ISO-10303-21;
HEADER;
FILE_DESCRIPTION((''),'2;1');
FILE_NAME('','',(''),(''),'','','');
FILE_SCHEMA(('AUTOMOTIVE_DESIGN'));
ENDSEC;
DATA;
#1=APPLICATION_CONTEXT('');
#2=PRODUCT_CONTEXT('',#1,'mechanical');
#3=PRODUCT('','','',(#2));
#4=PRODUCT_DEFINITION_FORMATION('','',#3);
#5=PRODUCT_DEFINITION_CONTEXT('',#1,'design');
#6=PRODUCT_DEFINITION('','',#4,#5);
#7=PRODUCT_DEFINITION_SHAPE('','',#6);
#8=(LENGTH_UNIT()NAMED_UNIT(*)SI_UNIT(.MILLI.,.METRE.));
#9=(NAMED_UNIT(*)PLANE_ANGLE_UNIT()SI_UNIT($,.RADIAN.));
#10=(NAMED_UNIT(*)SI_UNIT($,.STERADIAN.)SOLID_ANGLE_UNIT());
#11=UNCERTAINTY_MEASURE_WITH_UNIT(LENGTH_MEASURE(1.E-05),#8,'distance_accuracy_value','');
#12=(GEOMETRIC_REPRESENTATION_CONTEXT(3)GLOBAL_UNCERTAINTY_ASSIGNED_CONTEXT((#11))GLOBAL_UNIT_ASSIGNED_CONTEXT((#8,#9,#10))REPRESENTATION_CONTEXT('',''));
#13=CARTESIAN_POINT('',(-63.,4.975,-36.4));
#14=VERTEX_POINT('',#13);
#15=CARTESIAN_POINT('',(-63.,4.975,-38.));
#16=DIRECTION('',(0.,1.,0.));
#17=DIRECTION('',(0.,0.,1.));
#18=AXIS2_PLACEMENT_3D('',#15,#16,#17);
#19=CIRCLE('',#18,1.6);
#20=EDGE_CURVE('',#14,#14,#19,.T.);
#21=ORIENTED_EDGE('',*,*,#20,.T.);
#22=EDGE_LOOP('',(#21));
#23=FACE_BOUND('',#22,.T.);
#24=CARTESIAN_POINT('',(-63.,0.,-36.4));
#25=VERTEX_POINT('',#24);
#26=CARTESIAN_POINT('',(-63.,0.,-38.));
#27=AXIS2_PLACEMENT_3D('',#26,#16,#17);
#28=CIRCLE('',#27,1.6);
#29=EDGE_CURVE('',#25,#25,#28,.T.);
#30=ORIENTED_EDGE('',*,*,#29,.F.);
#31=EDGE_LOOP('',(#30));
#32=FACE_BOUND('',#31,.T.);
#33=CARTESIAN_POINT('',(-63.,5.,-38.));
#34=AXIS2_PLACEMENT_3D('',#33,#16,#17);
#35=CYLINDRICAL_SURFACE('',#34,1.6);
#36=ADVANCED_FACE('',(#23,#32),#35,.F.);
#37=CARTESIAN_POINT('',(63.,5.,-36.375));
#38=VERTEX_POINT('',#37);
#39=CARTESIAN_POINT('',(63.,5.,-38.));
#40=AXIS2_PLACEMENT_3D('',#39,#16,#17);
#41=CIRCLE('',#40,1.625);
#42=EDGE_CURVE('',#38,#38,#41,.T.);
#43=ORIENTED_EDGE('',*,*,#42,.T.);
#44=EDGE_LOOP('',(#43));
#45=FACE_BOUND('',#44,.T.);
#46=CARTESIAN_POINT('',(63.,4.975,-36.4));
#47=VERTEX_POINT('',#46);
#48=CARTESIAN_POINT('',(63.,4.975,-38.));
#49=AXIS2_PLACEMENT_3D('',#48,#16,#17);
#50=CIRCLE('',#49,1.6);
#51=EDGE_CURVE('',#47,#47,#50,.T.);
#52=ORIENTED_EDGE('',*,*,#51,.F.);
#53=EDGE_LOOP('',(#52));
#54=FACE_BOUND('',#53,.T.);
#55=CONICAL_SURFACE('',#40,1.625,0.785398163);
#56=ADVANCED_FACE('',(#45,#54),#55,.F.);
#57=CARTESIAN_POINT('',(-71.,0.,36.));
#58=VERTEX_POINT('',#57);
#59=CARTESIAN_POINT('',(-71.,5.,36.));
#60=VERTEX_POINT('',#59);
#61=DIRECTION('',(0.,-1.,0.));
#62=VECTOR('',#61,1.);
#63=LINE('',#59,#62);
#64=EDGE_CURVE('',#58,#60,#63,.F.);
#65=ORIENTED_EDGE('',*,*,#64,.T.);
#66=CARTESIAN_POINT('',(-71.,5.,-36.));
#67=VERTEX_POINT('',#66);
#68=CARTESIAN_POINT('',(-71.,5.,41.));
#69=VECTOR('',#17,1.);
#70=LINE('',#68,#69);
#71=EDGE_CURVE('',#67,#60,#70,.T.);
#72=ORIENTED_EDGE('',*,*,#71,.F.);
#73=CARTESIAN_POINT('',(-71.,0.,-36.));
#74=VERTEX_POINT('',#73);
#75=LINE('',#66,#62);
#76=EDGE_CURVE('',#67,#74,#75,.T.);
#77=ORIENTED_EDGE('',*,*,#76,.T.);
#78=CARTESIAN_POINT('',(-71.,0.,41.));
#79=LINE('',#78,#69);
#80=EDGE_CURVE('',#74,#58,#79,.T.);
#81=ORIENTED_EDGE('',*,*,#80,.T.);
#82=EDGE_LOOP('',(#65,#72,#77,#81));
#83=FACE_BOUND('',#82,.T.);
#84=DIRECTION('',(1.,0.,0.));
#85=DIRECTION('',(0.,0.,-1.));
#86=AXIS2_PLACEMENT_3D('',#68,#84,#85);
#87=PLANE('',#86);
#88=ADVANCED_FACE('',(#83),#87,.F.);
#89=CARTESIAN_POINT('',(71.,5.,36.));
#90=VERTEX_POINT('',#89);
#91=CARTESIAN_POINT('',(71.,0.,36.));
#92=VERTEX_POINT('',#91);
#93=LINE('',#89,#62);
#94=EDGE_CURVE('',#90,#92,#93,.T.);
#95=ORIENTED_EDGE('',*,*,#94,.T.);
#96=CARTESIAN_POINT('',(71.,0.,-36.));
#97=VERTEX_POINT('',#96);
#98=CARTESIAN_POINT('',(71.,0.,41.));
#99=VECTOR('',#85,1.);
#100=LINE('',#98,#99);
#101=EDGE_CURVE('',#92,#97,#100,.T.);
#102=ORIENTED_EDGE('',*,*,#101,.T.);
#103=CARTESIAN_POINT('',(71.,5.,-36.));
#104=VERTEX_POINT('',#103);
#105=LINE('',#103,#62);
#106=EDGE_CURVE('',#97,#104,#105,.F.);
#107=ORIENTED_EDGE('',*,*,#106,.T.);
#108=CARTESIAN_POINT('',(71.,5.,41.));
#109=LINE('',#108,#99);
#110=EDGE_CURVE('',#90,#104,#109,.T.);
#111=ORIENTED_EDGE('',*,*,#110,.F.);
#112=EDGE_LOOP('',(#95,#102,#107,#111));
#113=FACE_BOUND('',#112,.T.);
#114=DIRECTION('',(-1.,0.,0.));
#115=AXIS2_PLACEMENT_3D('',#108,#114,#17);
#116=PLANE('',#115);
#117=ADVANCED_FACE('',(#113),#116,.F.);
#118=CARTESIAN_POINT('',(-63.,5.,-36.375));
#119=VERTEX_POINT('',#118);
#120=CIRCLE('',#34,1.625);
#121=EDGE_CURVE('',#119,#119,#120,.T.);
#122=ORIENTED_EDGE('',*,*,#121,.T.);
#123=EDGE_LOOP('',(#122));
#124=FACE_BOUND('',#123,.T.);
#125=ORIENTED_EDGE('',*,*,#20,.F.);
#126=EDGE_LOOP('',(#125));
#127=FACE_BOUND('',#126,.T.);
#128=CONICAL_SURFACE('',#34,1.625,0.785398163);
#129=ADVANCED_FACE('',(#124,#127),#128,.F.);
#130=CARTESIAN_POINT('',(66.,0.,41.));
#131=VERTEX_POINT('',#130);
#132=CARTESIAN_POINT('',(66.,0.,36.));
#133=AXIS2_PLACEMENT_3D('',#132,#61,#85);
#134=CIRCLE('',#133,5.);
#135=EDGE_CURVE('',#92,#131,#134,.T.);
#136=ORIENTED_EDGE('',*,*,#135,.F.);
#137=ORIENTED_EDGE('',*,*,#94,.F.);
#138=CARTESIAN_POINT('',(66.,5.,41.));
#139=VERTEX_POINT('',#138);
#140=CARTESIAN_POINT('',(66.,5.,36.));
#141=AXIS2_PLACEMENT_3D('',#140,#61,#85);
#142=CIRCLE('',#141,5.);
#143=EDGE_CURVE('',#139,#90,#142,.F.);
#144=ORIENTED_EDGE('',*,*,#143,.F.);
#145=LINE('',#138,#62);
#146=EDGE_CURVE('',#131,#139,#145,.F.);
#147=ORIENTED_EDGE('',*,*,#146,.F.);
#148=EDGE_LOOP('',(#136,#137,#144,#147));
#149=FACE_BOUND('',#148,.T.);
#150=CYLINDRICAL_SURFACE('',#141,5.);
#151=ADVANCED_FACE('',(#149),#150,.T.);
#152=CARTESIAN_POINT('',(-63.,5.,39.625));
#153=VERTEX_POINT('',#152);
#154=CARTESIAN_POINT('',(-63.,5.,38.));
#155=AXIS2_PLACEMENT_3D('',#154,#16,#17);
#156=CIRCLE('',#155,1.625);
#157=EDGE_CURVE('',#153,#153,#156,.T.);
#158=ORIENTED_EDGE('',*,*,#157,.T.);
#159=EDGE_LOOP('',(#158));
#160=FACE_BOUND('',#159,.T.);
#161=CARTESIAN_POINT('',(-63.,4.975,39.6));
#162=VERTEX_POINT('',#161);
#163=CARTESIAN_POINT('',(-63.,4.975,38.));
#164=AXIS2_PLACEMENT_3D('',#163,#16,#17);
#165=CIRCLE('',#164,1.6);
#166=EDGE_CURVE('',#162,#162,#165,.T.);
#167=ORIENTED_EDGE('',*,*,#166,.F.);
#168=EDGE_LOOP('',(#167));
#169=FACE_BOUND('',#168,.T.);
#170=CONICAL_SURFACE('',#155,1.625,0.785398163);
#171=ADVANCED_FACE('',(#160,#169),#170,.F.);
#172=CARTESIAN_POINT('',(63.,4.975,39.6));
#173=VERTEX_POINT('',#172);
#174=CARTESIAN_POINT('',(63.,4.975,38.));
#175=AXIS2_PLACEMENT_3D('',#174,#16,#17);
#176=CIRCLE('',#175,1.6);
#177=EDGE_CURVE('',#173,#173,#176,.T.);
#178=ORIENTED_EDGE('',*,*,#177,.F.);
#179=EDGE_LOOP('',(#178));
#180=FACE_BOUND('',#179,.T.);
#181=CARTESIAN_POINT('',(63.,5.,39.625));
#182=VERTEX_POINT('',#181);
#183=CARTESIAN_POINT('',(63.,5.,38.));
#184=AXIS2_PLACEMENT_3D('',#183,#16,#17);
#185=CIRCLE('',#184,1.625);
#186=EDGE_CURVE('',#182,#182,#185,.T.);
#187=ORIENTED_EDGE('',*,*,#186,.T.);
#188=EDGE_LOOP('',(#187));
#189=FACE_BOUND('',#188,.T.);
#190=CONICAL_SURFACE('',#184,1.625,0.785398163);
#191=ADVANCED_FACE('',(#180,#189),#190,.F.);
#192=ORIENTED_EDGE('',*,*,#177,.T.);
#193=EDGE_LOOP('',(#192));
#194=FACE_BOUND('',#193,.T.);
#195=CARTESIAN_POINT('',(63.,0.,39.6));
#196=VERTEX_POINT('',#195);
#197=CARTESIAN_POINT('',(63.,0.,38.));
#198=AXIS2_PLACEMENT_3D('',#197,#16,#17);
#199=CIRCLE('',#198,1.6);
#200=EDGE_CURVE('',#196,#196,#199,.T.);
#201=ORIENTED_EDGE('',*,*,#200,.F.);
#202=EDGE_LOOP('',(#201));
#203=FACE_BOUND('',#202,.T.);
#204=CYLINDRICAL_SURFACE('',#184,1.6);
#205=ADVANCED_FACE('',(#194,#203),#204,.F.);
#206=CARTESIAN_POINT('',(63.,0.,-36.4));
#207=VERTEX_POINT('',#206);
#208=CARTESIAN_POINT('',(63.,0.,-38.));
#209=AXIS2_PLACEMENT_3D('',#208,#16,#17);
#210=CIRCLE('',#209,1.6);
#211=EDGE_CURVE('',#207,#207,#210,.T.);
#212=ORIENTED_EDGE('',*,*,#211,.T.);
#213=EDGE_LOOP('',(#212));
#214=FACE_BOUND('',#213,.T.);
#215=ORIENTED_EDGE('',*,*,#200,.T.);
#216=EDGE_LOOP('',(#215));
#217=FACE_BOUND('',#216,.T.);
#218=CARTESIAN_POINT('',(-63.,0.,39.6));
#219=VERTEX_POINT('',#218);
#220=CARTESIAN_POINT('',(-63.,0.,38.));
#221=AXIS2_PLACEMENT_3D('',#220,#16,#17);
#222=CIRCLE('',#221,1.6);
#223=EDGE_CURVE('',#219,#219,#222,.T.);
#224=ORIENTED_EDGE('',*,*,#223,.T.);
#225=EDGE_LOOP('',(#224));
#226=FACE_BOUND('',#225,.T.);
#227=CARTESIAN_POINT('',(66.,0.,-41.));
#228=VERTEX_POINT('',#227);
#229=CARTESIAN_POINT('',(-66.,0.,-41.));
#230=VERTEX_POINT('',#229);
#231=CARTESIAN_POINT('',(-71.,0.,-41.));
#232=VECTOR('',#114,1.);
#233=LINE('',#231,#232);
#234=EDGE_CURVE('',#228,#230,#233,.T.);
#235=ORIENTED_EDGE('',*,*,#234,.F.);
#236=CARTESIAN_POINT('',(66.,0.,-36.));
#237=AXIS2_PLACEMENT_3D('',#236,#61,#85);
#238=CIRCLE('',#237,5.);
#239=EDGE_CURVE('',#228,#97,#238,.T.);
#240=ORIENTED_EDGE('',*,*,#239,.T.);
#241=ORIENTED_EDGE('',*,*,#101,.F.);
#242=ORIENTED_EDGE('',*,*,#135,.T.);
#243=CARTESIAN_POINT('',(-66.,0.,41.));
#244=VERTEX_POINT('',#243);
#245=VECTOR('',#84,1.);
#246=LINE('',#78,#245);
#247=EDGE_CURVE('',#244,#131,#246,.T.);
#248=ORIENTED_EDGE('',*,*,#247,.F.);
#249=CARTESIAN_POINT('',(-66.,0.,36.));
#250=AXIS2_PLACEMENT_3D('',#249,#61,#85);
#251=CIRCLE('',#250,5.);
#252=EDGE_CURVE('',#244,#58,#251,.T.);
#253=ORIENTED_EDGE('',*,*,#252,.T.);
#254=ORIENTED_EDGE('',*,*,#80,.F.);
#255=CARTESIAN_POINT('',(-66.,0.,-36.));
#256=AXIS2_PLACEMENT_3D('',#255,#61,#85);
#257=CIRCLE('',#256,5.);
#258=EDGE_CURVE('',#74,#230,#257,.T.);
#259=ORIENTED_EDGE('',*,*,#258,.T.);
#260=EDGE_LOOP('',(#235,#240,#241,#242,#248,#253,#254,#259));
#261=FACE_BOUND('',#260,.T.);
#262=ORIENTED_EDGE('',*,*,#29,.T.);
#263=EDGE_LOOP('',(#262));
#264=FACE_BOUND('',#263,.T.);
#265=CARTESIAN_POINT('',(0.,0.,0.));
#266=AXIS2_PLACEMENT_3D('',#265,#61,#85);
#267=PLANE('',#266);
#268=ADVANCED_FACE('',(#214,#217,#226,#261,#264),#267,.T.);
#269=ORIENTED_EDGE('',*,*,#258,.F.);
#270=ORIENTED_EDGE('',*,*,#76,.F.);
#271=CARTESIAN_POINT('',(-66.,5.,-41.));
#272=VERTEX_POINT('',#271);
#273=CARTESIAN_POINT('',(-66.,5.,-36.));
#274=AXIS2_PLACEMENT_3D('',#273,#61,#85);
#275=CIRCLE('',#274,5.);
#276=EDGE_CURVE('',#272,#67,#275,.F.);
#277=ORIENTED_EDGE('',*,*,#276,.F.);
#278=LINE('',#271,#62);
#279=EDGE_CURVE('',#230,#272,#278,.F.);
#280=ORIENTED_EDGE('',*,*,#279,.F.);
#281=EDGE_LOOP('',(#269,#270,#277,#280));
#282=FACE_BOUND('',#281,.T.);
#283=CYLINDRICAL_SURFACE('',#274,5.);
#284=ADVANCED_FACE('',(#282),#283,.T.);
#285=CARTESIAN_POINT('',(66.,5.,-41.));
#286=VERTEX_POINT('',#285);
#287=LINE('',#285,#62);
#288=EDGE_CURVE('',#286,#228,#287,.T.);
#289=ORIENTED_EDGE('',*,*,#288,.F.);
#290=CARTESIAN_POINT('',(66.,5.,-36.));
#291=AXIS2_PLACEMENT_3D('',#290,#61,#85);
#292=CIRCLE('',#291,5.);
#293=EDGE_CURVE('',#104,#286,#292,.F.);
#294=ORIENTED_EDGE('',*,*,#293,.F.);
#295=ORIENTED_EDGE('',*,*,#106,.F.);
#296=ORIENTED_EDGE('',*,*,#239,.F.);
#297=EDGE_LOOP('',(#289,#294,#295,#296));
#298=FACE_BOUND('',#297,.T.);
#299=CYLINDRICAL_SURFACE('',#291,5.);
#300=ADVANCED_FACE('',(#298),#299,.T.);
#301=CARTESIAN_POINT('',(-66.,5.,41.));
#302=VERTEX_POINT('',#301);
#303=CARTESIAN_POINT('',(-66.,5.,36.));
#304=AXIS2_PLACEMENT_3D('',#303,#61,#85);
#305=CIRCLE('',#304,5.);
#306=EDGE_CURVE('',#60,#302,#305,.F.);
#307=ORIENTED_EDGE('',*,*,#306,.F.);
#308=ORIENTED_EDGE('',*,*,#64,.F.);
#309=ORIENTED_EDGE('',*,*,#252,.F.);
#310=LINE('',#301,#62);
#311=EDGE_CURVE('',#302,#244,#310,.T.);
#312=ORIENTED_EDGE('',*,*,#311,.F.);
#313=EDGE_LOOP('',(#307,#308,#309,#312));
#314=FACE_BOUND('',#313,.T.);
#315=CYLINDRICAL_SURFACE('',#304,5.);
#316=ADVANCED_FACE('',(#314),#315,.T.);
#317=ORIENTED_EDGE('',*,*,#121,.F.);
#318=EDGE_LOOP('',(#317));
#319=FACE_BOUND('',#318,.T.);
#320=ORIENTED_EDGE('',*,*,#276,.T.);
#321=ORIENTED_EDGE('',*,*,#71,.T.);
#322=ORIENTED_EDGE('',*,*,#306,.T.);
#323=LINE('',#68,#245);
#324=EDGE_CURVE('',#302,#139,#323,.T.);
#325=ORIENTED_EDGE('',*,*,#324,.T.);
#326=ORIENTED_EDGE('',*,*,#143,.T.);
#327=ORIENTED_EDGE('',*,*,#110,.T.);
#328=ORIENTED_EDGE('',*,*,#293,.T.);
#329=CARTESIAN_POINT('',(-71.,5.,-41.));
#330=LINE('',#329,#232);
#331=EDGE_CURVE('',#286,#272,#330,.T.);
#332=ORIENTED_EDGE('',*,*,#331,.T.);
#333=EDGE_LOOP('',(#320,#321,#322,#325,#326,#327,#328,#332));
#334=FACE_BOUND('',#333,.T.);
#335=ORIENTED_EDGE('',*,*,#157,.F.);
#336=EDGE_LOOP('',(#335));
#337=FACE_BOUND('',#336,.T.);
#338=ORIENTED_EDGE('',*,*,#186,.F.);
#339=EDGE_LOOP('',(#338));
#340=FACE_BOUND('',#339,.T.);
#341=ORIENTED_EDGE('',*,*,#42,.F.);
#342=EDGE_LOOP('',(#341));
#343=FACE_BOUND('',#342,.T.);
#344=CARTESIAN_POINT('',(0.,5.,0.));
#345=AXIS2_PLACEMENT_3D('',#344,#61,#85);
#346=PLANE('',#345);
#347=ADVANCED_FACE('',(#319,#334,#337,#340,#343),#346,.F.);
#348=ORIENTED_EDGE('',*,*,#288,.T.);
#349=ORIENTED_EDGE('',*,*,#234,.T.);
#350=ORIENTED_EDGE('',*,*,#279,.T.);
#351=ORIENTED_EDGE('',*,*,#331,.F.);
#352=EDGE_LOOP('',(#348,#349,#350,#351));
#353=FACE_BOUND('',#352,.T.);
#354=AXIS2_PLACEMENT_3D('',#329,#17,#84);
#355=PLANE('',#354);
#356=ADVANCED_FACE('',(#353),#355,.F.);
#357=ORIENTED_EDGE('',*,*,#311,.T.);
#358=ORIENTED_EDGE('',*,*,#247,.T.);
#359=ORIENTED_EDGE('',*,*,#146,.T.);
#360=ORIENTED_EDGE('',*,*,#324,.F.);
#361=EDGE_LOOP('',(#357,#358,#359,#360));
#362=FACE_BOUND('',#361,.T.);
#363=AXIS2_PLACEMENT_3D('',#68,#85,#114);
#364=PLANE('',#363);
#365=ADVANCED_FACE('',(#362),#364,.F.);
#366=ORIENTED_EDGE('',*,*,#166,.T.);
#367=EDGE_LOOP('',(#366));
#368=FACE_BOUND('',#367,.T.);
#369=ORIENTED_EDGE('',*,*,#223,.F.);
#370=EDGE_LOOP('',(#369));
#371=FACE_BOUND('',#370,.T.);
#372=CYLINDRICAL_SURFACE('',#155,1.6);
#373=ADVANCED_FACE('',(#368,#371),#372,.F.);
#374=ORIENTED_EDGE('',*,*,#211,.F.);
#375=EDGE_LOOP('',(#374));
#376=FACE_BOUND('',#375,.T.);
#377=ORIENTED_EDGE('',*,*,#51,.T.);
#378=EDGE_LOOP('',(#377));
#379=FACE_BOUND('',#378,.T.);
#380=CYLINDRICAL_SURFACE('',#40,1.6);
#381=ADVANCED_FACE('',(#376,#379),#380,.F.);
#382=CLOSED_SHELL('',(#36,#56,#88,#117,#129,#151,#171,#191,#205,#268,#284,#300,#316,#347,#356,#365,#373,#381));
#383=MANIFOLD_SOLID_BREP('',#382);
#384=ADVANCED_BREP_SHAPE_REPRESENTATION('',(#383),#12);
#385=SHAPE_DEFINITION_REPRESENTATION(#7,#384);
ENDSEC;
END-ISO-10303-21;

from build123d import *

# Parameters (mm, degrees)
SKETCH1_W                      = 142
SKETCH1_H                      = 82
BOSS_EXTRUDE1_DEPTH            = 5
M3_CLEARANCE_HOLE1_D           = 3.2
M3_CLEARANCE_HOLE1_CSINK_D     = 3.25
M3_CLEARANCE_HOLE1_CSINK_ANGLE = 90
FILLET1_R                      = 5


with BuildPart() as part:
    # Sketch1 → Boss-Extrude1 (new body)
    with BuildSketch(Plane(origin=(0, 0, 0), x_dir=(1, 0, 0), z_dir=(0, 1, 0))):
        Rectangle(SKETCH1_W, SKETCH1_H)
    extrude(amount=BOSS_EXTRUDE1_DEPTH)

    # M3 Clearance Hole1 (through all)
    with Locations(Plane(origin=(0, 5, 0), x_dir=(1, 0, 0), z_dir=(0, 1, 0))):
        with Locations((-63, 38), (-63, -38), (63, 38), (63, -38)):
            CounterSinkHole(M3_CLEARANCE_HOLE1_D / 2, M3_CLEARANCE_HOLE1_CSINK_D / 2, counter_sink_angle=M3_CLEARANCE_HOLE1_CSINK_ANGLE)

    # Fillet1
    fillet1_edges = [part.edges().sort_by_distance(p)[0] for p in [
        (71, 2.5, 41),
        (-71, 2.5, 41),
        (-71, 2.5, -41),
        (71, 2.5, -41),
    ]]
    fillet(fillet1_edges, radius=FILLET1_R)


solid = part.part
